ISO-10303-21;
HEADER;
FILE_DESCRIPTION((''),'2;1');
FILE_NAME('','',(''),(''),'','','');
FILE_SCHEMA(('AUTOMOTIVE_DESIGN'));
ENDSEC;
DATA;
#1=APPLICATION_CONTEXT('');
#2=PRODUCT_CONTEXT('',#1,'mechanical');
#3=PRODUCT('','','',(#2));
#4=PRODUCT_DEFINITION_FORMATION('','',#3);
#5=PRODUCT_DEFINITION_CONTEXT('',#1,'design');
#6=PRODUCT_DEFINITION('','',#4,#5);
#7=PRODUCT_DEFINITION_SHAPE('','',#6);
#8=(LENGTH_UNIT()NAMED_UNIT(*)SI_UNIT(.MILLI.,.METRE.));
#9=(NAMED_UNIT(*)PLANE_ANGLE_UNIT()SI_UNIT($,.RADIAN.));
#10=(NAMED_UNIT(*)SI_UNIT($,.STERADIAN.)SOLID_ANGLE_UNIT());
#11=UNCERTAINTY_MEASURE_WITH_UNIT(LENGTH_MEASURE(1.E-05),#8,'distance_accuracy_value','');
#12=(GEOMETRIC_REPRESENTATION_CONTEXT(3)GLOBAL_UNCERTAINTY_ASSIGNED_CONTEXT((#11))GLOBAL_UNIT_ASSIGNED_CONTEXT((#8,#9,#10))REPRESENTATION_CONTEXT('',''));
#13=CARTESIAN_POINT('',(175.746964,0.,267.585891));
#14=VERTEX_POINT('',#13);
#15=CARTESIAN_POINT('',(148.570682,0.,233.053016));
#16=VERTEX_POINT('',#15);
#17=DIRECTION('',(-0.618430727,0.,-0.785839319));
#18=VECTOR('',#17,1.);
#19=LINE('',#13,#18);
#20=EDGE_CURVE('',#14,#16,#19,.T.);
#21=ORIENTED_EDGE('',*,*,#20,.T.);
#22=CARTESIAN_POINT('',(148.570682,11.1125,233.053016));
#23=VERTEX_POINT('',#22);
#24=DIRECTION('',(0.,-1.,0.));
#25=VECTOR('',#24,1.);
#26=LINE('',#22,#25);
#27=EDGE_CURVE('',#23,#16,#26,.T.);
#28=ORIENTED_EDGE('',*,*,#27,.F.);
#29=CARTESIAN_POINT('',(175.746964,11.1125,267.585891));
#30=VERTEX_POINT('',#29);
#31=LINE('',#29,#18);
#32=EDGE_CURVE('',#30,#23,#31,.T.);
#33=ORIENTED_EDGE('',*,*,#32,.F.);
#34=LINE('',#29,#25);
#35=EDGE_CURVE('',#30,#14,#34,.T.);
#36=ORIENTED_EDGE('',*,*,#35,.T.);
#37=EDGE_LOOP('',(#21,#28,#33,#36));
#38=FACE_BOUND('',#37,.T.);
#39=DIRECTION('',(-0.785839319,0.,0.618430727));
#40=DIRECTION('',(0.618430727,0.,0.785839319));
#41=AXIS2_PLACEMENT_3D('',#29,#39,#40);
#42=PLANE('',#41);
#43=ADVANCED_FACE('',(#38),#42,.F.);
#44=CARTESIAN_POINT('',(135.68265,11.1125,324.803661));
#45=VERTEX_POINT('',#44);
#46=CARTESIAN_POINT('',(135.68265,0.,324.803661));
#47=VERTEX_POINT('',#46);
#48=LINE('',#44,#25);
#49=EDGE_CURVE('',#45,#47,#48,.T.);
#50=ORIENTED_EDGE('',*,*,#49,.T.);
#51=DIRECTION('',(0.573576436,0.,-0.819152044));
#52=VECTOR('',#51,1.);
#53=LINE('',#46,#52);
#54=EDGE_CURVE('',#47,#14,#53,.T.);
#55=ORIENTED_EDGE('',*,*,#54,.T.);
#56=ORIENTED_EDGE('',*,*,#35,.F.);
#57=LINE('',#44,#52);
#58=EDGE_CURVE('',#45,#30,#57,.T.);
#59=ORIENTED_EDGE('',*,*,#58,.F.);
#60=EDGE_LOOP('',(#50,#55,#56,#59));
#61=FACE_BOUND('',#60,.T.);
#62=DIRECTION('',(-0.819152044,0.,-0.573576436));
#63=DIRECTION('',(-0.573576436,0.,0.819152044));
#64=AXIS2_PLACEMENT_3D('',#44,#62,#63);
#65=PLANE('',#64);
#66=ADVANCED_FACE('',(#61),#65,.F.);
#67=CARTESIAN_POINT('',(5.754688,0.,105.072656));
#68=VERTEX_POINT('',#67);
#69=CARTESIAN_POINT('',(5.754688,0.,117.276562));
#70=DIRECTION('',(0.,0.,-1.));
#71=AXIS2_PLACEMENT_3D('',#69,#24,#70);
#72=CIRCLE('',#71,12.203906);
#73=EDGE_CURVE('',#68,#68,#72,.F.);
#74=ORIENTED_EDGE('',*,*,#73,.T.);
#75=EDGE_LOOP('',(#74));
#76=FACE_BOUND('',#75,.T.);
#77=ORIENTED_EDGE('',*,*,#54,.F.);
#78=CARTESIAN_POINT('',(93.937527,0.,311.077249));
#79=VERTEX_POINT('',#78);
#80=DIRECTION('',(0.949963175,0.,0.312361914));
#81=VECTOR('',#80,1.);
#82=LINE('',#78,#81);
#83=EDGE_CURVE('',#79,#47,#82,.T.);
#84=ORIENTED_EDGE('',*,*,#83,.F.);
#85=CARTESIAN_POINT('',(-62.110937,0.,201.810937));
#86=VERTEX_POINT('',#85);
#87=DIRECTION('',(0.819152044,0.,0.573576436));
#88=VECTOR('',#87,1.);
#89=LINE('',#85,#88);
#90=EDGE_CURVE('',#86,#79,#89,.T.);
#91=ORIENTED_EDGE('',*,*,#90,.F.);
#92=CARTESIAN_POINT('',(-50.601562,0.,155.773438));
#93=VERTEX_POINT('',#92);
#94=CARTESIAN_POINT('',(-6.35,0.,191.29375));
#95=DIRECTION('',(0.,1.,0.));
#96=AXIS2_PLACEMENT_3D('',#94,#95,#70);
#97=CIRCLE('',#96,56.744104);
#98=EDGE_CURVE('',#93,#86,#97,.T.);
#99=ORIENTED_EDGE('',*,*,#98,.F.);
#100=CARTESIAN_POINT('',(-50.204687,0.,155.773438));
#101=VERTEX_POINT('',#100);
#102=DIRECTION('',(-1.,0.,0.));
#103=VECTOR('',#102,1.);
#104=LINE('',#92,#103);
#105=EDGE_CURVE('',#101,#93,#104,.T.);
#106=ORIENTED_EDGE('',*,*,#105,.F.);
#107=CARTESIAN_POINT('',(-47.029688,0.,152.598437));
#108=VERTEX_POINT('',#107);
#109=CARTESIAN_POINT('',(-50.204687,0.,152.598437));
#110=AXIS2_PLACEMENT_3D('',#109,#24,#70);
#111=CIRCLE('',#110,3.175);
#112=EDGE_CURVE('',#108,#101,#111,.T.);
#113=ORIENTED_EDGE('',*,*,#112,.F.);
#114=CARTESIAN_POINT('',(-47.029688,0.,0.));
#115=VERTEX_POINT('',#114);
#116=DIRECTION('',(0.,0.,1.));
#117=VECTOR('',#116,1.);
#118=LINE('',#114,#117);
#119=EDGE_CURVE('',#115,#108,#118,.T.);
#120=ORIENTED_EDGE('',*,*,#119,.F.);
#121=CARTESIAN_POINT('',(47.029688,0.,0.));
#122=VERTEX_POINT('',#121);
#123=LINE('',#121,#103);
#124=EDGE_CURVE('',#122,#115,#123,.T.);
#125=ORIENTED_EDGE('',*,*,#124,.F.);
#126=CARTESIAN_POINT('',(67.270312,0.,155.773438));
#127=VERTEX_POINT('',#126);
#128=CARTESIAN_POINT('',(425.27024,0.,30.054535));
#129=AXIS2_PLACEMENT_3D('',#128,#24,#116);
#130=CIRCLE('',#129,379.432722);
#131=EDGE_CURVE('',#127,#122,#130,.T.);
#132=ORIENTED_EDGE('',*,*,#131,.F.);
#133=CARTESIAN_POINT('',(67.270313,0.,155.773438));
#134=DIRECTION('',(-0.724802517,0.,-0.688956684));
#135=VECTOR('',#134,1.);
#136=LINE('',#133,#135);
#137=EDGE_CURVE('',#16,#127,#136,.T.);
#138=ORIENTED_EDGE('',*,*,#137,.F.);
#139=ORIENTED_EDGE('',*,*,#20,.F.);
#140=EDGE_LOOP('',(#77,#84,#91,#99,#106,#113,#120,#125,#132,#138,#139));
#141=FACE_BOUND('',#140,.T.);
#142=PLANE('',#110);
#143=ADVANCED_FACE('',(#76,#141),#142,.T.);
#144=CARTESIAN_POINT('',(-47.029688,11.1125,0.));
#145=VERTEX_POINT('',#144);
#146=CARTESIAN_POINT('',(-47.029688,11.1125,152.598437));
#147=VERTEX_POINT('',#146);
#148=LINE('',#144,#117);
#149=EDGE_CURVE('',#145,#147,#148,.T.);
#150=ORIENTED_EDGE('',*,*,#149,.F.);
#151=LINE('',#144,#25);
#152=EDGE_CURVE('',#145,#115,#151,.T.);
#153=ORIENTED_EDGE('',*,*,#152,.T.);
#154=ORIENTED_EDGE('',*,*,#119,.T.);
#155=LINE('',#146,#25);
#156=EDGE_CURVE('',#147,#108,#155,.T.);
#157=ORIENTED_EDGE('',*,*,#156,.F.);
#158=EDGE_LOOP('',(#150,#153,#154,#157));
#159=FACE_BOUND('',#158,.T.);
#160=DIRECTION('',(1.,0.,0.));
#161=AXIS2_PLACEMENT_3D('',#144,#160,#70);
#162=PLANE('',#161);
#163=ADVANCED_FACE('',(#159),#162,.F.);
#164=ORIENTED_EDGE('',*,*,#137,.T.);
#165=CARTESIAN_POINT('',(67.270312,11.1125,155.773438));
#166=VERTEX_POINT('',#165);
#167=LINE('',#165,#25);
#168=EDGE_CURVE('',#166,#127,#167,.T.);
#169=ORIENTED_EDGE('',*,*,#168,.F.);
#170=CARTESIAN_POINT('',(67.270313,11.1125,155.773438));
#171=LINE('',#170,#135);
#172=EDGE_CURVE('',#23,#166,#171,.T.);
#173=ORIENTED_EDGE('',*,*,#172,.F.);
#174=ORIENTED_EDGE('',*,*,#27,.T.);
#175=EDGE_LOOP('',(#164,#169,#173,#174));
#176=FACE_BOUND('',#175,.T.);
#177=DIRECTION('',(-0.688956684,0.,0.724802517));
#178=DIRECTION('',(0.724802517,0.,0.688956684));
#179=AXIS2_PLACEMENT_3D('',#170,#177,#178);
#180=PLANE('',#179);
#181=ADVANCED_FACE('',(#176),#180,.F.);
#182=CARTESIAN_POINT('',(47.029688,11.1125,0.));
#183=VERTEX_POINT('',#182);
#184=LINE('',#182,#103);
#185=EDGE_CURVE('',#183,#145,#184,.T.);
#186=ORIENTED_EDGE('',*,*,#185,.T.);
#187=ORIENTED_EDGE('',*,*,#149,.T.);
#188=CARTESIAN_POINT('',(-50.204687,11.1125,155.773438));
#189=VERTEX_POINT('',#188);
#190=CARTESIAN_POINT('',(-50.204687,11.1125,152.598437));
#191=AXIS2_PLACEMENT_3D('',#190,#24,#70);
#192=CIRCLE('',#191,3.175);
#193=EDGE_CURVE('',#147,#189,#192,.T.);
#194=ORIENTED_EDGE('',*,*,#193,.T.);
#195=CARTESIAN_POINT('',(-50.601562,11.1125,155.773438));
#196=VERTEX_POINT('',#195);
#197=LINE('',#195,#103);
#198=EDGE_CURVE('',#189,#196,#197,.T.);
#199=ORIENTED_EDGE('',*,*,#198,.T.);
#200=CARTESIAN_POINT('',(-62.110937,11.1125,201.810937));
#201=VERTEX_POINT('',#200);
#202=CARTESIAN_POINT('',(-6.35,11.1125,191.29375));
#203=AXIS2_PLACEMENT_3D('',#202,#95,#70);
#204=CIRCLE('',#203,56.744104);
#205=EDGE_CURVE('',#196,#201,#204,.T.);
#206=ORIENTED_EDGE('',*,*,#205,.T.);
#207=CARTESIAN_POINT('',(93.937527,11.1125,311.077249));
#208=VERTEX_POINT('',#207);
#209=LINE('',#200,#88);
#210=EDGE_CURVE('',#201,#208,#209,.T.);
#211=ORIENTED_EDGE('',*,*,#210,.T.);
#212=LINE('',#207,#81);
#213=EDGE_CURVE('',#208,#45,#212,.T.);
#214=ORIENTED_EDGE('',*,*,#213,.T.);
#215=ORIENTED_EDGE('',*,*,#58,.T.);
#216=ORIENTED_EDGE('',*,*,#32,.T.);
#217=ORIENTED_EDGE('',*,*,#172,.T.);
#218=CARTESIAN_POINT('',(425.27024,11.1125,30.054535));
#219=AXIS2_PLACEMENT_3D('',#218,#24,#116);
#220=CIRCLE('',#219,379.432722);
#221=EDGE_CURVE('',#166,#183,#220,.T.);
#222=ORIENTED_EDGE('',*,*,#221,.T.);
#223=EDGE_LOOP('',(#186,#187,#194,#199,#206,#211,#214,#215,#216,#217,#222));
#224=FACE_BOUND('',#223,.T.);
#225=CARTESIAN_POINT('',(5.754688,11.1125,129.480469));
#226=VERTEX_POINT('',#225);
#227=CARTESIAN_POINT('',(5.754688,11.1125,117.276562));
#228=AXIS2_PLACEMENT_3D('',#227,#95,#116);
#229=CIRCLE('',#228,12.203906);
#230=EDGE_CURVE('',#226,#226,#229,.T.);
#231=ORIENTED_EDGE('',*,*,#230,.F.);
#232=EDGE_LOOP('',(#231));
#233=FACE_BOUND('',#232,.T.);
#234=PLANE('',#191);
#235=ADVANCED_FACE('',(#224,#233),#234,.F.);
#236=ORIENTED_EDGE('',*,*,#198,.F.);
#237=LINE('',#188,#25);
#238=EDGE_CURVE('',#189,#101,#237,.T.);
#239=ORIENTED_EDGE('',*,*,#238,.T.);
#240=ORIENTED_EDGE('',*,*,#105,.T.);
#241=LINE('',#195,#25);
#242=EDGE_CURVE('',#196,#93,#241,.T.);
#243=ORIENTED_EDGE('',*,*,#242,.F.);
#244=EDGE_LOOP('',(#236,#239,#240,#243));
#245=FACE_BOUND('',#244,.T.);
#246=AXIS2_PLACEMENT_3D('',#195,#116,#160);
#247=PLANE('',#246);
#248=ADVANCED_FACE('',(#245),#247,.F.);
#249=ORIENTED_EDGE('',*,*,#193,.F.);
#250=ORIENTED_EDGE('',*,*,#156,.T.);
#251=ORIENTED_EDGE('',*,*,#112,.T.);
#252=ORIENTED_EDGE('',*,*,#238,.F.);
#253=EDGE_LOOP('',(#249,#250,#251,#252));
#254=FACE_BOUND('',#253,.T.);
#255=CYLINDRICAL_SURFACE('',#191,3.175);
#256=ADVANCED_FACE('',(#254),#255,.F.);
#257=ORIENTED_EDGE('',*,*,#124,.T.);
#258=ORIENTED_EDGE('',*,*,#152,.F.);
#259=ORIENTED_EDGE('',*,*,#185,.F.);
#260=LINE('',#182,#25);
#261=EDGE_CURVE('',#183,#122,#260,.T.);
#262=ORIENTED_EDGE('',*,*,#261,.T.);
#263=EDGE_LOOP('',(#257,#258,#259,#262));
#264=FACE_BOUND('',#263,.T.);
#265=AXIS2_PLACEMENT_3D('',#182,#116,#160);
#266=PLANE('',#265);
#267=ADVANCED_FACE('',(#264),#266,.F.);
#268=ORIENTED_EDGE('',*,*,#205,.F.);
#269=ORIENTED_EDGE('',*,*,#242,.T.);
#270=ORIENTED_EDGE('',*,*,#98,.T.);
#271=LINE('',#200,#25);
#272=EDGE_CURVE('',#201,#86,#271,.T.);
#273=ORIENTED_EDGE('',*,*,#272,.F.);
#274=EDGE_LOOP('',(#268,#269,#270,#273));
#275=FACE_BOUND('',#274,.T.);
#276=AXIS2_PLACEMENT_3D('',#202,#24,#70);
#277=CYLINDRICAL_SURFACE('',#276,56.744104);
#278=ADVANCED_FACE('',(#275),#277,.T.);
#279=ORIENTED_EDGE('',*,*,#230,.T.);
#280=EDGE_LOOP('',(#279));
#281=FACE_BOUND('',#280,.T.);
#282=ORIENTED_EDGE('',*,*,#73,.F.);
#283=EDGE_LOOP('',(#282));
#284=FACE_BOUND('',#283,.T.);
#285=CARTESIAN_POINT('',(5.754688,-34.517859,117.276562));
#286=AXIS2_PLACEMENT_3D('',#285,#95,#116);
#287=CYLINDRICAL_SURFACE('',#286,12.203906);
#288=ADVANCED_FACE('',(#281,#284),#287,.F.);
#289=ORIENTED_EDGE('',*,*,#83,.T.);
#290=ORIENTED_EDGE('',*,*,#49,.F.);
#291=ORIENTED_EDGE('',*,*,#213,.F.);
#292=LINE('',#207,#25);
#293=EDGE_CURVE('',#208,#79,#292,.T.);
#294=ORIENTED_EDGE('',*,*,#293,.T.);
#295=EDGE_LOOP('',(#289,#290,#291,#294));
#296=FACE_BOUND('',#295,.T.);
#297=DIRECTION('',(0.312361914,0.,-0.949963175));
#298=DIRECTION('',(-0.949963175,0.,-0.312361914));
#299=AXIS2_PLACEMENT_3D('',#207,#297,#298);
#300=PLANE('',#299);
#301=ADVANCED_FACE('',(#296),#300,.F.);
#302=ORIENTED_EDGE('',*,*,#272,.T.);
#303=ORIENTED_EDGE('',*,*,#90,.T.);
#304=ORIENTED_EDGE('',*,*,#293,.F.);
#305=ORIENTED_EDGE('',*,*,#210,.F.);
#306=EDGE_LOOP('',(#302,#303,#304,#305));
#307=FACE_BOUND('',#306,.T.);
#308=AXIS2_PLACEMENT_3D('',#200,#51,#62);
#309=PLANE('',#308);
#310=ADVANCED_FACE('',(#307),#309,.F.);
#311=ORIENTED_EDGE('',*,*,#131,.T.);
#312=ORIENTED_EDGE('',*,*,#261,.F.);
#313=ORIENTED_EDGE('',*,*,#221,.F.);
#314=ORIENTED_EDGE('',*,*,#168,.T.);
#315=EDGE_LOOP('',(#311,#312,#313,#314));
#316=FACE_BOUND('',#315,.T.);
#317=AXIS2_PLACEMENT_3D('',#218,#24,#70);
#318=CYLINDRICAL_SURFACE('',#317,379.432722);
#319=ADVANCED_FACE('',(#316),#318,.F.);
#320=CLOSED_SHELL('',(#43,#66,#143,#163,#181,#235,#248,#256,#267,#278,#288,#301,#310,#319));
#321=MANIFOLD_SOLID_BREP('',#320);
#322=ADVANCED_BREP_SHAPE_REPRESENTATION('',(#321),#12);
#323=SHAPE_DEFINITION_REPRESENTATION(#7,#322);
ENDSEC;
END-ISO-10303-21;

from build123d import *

# Parameters (mm, degrees)
SKETCH1_R           = 7.9375
BOSS_EXTRUDE1_DEPTH = 11.1125
SKETCH2_R           = 12.20390625
CUT_EXTRUDE1_DEPTH  = 11.1125


with BuildPart() as part:
    # Sketch1 → Boss-Extrude1 (new body)
    with BuildSketch(Plane(origin=(0, 0, 0), x_dir=(1, 0, 0), z_dir=(0, 1, 0))):
        with BuildLine():
            Line((47.0296875, 0), (-47.0296875, 0))
            Line((-47.0296875, 0), (-47.0296875, -152.5984375))
            ThreePointArc((-47.0296875, -152.5984375), (-47.95962347, -154.84350153), (-50.2046875, -155.7734375))
            Line((-50.2046875, -155.7734375), (-50.6015625, -155.7734375))
            ThreePointArc((-50.6015625, -155.7734375), (-61.399867308, -177.531283173), (-62.1109375, -201.8109375))
            Line((-62.1109375, -201.8109375), (93.937526937, -311.077248625))
            Line((93.937526937, -311.077248625), (135.682650242, -324.803661369))
            Line((135.682650242, -324.803661369), (175.746964321, -267.585891076))
            Line((175.746964321, -267.585891076), (148.570682499, -233.053016406))
            Line((148.570682499, -233.053016406), (67.2703125, -155.7734375))
            ThreePointArc((67.2703125, -155.7734375), (49.00058662, -78.945623418), (47.0296875, 0))
        make_face()
        with Locations((5.7546875, -117.2765625)):
            Circle(SKETCH1_R, mode=Mode.SUBTRACT)
    extrude(amount=BOSS_EXTRUDE1_DEPTH)

    # Sketch2 → Cut-Extrude1 (cut)
    with BuildSketch(Plane(origin=(0, 11.1125, 0), x_dir=(1, 0, 0), z_dir=(0, 1, 0))):
        with Locations((5.7546875, -117.2765625)):
            Circle(SKETCH2_R)
    extrude(amount=-CUT_EXTRUDE1_DEPTH, mode=Mode.SUBTRACT)


solid = part.part
